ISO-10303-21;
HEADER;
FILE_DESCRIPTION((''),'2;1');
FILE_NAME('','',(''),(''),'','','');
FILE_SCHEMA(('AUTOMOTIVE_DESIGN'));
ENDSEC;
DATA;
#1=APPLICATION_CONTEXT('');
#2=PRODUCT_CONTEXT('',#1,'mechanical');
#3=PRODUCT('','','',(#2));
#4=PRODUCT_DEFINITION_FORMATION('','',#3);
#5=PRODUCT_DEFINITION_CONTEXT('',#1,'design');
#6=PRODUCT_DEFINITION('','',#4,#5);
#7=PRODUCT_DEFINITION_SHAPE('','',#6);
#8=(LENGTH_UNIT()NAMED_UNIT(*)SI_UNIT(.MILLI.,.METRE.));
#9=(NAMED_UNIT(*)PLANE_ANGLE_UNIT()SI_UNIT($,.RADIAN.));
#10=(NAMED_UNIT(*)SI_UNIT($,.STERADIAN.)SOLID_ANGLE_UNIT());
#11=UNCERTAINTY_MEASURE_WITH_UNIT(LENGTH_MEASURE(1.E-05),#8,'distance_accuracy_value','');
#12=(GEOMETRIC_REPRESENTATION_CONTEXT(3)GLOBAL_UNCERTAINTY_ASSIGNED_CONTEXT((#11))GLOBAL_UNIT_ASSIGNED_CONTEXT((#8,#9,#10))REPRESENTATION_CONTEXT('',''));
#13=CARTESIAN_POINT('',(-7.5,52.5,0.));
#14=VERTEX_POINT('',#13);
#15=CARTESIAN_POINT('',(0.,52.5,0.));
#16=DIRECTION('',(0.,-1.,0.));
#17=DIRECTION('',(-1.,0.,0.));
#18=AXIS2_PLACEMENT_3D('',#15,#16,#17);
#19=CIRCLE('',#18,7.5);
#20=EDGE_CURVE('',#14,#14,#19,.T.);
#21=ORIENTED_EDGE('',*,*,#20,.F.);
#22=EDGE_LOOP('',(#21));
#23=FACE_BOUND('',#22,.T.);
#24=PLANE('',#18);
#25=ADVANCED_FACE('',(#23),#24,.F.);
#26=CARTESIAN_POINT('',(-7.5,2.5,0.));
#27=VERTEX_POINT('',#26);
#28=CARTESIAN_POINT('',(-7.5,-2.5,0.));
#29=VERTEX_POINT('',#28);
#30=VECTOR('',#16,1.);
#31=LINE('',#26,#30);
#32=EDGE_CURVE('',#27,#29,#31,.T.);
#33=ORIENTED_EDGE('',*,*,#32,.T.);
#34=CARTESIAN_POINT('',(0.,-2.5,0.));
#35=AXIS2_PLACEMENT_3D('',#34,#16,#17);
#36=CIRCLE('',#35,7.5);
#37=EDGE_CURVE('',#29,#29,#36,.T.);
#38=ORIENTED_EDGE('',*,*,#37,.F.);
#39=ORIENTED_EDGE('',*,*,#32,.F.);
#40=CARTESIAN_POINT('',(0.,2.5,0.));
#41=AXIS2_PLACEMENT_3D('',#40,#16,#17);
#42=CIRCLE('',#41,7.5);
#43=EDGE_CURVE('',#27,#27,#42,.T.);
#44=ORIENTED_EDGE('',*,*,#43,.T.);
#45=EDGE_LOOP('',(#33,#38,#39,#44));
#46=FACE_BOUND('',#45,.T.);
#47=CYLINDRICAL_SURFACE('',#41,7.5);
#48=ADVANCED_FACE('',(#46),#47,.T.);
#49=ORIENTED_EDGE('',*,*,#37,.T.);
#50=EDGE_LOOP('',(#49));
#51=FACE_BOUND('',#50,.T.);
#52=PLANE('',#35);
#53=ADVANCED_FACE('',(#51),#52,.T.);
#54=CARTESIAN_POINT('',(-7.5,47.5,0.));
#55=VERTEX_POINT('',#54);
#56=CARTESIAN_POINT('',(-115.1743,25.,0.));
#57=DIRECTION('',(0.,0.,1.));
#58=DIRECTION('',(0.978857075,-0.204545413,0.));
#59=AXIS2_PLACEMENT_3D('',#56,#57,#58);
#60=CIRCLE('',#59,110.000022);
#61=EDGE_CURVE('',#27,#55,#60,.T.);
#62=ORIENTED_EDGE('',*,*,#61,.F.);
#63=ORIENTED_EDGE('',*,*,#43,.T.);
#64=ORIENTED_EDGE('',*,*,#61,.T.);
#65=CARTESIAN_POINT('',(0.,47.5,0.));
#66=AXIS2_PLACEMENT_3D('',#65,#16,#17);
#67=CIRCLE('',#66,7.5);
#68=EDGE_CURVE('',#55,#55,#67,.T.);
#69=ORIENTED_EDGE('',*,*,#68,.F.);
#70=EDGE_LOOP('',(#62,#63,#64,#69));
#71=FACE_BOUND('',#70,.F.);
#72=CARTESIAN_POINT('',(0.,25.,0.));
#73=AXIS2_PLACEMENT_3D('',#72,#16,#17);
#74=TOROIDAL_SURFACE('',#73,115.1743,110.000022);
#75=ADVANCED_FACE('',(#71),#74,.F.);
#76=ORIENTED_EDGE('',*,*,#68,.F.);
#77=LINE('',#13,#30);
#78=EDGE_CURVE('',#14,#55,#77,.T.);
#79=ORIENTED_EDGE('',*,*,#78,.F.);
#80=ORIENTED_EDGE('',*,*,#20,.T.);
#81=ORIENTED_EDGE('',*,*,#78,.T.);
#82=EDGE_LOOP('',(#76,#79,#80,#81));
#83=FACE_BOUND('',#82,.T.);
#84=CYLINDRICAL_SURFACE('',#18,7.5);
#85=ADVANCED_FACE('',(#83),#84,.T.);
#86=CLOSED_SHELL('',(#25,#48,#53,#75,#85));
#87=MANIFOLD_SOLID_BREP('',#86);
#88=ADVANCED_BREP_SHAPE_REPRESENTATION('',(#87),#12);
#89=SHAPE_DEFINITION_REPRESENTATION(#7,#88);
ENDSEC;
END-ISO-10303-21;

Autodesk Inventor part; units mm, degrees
ref_plane "YZ Plane" through (0, 0, 0) normal (1, 0, 0) x (0, 1, 0)
ref_plane "XZ Plane" through (0, 0, 0) normal (0, 1, 0) x (-1, 0, 0)
ref_plane "XY Plane" through (0, 0, 0) normal (0, 0, 1) x (1, 0, 0)
sketch "스케치1" plane through (0, 0, 0) normal (0, 0, 1) x (1, 0, 0)
  line L0 (-7.5, -2.5) -> (7.5, -2.5)
  line L1 (7.5, -2.5) -> (7.5, 2.5)
  line L2 (7.5, 2.5) -> (-7.5, 2.5)
  line L3 (-7.5, 2.5) -> (-7.5, -2.5)
  line L4 (-7.5, -2.5) -> (7.5, 2.5) construction
  line L5 (7.5, -2.5) -> (-7.5, 2.5) construction
  line L6 (-7.5, 2.5) -> (7.5, 2.5)
  line L7 (7.5, 2.5) -> (7.5, 52.5)
  line L8 (7.5, 52.5) -> (-7.5, 52.5)
  line L9 (-7.5, 52.5) -> (-7.5, 2.5)
  arc A0 (-7.5, 2.5) -> (-7.5, 47.5) centre (-115.1743, 25) ccw
  line L10 (0, 52.5) -> (0, -2.5)
  point P0 (0, 0)
  dimension "d0" = 15
  dimension "d1" = 5
  dimension "d2" = 55
  dimension "d3" = 5
  dimension "d4" = 110
revolve "회전1" add sketch "스케치1" angle 360 about axis through (0, 52.5, 0) along (0, -1, 0) contours L3 L2 L10 L0 | A0 L9 L8 L10 L2
properties part number "Supporter"
